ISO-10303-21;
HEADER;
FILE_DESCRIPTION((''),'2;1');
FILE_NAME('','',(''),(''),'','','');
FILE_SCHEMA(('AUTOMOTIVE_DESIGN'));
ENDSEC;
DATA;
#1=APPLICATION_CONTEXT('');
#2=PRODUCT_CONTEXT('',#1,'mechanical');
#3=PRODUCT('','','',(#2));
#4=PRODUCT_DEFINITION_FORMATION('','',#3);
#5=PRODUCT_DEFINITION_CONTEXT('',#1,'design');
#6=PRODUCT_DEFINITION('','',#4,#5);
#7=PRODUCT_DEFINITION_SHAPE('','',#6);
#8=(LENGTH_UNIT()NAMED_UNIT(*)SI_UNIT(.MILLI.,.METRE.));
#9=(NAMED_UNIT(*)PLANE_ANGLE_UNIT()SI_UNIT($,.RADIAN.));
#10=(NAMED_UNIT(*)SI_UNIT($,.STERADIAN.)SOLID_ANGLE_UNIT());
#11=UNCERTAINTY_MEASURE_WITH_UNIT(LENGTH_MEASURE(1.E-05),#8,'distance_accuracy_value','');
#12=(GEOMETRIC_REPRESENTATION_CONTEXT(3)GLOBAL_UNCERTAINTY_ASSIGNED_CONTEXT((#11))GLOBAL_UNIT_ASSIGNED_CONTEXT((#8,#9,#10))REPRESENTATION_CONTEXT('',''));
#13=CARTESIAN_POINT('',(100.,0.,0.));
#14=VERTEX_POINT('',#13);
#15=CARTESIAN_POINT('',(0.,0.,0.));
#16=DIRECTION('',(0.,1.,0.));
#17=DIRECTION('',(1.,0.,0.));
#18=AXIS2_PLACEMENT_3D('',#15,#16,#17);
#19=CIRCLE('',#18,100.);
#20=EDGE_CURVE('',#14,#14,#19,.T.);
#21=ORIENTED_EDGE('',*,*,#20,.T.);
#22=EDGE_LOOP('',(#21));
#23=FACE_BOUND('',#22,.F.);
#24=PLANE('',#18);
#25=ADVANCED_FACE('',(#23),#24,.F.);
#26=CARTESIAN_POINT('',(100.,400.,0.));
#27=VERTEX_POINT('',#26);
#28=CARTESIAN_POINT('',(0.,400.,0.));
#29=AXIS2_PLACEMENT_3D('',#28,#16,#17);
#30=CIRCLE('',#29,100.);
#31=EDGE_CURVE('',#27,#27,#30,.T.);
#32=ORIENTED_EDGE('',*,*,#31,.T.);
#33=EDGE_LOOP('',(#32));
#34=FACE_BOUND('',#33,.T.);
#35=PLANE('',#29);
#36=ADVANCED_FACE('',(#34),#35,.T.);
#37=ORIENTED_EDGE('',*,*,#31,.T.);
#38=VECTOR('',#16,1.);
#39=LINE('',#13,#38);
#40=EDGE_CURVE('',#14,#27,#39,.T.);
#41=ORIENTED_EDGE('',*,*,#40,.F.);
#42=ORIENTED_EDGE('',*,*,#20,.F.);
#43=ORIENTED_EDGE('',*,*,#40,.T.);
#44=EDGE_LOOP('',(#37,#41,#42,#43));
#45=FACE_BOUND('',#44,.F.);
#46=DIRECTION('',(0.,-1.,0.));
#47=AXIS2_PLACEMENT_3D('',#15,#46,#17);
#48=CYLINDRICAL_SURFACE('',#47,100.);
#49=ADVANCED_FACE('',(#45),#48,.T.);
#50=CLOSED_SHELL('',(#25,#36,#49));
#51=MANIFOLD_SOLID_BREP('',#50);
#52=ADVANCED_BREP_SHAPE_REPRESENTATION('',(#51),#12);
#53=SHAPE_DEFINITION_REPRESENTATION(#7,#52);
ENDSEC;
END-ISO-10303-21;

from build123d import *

# Parameters (mm, degrees)
SKETCH_1_R      = 100
EXTRUDE_1_DEPTH = 400


with BuildPart() as part:
    # 草图1 → 凸台-拉伸1 (new body)
    with BuildSketch(Plane(origin=(0, 0, 0), x_dir=(1, 0, 0), z_dir=(0, 1, 0))):
        Circle(SKETCH_1_R)
    extrude(amount=EXTRUDE_1_DEPTH)


solid = part.part
